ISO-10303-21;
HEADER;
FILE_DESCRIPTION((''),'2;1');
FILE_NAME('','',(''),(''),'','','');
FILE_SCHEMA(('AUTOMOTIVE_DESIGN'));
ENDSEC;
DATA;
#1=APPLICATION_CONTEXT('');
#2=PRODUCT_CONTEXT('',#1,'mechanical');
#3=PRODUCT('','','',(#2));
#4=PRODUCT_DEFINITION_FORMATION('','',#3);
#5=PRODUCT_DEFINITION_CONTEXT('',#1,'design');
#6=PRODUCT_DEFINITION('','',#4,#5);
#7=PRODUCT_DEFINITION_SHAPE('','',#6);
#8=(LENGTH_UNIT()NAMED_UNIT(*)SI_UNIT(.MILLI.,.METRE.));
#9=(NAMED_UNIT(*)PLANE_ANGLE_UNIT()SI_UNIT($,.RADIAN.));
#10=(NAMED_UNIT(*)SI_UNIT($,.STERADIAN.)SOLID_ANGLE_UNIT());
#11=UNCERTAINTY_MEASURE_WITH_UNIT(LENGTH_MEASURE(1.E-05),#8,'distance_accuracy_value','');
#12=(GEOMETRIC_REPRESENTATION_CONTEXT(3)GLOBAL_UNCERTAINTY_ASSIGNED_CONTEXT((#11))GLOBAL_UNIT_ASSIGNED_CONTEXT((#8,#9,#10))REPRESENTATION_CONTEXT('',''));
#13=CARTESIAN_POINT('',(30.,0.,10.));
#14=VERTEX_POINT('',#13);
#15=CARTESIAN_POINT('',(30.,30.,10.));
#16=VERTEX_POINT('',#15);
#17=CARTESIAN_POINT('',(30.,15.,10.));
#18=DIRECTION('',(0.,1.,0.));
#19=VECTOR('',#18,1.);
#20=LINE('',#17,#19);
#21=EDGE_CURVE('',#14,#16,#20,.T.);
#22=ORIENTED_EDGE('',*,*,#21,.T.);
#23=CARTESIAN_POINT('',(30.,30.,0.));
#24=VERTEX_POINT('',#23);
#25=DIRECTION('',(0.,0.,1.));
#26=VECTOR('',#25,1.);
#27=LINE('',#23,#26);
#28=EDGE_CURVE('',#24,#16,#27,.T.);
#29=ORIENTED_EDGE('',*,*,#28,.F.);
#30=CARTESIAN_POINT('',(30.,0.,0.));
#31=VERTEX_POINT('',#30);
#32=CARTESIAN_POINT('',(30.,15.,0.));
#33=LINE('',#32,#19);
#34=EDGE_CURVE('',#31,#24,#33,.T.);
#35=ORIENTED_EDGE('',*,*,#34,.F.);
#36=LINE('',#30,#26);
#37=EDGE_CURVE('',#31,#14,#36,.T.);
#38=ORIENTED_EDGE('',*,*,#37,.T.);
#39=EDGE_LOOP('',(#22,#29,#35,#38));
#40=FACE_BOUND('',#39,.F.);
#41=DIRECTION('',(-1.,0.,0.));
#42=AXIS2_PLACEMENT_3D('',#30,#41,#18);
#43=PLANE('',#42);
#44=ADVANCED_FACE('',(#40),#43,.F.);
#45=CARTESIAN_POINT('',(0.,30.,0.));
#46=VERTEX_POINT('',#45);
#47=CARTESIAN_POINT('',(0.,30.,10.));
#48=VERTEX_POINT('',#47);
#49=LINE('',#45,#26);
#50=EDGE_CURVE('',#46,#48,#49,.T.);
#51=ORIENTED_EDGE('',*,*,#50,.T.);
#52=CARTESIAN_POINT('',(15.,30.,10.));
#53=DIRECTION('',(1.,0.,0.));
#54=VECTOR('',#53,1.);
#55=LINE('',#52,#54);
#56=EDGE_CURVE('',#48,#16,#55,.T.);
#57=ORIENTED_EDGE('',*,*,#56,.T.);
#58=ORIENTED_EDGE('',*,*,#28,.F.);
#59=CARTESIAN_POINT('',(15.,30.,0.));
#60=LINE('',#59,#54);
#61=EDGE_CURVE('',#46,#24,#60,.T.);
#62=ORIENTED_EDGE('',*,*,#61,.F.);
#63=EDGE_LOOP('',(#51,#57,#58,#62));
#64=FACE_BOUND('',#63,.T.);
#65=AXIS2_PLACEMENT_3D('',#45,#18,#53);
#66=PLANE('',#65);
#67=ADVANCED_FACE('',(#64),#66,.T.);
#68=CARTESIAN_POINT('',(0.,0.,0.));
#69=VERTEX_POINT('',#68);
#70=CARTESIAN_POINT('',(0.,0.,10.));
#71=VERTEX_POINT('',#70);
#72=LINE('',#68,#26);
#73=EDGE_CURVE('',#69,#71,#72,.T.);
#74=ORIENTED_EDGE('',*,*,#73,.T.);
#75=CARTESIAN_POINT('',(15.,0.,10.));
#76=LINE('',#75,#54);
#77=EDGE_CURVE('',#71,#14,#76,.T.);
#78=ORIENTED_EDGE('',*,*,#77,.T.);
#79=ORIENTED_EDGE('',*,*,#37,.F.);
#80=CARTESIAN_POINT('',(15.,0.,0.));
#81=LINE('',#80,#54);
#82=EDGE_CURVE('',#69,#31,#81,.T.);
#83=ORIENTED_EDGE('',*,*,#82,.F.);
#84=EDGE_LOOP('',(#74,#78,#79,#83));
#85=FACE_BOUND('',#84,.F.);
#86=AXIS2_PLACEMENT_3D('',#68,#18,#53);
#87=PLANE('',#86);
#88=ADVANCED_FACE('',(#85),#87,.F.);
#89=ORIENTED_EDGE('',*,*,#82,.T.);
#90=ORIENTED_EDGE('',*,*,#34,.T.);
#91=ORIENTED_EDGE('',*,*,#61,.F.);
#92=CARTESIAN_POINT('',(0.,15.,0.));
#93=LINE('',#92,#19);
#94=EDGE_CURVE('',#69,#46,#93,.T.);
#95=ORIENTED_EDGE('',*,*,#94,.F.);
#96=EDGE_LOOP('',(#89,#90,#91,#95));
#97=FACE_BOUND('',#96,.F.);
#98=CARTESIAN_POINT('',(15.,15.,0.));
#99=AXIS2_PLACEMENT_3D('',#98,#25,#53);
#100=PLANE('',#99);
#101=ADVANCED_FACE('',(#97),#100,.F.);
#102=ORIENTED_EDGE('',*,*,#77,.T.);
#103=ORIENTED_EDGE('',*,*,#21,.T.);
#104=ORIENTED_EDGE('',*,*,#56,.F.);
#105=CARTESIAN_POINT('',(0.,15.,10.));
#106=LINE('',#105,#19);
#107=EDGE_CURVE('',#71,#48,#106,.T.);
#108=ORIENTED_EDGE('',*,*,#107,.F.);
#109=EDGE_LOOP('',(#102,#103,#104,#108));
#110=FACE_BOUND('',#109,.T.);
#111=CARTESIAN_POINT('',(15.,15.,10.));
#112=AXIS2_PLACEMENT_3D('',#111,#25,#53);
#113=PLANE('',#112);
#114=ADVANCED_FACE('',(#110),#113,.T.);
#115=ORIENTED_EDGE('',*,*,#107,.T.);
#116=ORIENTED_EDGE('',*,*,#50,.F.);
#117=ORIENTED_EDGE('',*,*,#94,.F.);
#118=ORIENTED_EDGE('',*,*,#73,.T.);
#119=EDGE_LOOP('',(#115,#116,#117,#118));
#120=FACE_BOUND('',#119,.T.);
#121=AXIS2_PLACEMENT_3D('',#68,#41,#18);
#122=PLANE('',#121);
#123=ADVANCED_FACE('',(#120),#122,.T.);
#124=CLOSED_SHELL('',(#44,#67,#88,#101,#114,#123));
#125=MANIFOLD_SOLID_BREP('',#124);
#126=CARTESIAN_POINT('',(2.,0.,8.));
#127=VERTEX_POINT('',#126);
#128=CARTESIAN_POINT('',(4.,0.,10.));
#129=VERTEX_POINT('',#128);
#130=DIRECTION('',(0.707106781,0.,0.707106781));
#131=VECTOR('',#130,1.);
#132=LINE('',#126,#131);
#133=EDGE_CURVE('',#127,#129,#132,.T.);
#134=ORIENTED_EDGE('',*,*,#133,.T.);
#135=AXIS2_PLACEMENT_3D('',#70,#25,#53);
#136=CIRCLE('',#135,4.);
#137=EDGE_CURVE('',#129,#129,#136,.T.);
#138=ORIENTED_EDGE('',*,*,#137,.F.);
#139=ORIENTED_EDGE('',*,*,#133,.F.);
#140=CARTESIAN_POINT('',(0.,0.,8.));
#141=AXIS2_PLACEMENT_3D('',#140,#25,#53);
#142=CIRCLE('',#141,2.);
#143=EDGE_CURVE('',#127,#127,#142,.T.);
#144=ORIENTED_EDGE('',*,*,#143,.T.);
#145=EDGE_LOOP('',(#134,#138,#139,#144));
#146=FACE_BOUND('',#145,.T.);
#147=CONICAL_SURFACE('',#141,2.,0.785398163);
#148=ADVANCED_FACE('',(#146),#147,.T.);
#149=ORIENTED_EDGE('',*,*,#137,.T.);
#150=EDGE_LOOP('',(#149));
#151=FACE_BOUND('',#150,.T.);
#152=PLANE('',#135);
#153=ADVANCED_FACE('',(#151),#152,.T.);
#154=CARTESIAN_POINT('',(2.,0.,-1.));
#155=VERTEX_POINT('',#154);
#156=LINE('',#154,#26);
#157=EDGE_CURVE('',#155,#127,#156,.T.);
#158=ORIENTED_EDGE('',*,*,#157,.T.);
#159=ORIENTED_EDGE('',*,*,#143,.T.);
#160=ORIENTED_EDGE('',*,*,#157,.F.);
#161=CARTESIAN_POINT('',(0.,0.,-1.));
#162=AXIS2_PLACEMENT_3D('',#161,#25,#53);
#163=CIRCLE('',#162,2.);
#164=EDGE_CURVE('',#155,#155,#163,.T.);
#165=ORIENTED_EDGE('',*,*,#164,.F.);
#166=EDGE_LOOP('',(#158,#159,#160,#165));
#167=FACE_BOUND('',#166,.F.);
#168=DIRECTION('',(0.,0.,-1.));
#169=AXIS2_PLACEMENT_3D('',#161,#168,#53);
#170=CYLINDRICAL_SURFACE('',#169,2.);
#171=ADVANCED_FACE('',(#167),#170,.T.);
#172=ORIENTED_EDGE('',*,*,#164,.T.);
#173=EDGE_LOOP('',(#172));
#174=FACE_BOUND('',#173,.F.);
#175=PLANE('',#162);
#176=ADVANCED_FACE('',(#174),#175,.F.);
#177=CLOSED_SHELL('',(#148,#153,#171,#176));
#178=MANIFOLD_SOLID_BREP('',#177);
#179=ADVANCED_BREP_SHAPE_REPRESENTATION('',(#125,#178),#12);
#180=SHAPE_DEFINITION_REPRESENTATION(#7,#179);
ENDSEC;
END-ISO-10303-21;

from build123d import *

# Parameters (mm, degrees)
BOX_W          = 30
BOX_H          = 30
BOX_DEPTH      = 10
CYLINDER_R     = 2
CYLINDER_DEPTH = 11


with BuildPart() as cube:
    # Box → Box (new body)
    with BuildSketch(Plane.XY):
        with Locations((15, 15)):
            Rectangle(BOX_W, BOX_H)
    extrude(amount=BOX_DEPTH)


with BuildPart() as cone:
    # Cone → Cone (revolve)
    with BuildSketch(Plane(origin=(0, 0, 8), x_dir=(1, 0, 0), z_dir=(0, -1, 0))):
        Polygon((0, 0), (2, 0), (4, 2), (0, 2), align=None)
    revolve(axis=Axis((0, 0, 8), (0, 0, 1)))


with BuildPart() as screw:
    # Cylinder → Cylinder (new body)
    with BuildSketch(Plane.XY.offset(-1)):
        Circle(CYLINDER_R)
    extrude(amount=CYLINDER_DEPTH)

    # Fusion: union Cone
    add(cone.part)


solid = Compound([cube.part, screw.part])
